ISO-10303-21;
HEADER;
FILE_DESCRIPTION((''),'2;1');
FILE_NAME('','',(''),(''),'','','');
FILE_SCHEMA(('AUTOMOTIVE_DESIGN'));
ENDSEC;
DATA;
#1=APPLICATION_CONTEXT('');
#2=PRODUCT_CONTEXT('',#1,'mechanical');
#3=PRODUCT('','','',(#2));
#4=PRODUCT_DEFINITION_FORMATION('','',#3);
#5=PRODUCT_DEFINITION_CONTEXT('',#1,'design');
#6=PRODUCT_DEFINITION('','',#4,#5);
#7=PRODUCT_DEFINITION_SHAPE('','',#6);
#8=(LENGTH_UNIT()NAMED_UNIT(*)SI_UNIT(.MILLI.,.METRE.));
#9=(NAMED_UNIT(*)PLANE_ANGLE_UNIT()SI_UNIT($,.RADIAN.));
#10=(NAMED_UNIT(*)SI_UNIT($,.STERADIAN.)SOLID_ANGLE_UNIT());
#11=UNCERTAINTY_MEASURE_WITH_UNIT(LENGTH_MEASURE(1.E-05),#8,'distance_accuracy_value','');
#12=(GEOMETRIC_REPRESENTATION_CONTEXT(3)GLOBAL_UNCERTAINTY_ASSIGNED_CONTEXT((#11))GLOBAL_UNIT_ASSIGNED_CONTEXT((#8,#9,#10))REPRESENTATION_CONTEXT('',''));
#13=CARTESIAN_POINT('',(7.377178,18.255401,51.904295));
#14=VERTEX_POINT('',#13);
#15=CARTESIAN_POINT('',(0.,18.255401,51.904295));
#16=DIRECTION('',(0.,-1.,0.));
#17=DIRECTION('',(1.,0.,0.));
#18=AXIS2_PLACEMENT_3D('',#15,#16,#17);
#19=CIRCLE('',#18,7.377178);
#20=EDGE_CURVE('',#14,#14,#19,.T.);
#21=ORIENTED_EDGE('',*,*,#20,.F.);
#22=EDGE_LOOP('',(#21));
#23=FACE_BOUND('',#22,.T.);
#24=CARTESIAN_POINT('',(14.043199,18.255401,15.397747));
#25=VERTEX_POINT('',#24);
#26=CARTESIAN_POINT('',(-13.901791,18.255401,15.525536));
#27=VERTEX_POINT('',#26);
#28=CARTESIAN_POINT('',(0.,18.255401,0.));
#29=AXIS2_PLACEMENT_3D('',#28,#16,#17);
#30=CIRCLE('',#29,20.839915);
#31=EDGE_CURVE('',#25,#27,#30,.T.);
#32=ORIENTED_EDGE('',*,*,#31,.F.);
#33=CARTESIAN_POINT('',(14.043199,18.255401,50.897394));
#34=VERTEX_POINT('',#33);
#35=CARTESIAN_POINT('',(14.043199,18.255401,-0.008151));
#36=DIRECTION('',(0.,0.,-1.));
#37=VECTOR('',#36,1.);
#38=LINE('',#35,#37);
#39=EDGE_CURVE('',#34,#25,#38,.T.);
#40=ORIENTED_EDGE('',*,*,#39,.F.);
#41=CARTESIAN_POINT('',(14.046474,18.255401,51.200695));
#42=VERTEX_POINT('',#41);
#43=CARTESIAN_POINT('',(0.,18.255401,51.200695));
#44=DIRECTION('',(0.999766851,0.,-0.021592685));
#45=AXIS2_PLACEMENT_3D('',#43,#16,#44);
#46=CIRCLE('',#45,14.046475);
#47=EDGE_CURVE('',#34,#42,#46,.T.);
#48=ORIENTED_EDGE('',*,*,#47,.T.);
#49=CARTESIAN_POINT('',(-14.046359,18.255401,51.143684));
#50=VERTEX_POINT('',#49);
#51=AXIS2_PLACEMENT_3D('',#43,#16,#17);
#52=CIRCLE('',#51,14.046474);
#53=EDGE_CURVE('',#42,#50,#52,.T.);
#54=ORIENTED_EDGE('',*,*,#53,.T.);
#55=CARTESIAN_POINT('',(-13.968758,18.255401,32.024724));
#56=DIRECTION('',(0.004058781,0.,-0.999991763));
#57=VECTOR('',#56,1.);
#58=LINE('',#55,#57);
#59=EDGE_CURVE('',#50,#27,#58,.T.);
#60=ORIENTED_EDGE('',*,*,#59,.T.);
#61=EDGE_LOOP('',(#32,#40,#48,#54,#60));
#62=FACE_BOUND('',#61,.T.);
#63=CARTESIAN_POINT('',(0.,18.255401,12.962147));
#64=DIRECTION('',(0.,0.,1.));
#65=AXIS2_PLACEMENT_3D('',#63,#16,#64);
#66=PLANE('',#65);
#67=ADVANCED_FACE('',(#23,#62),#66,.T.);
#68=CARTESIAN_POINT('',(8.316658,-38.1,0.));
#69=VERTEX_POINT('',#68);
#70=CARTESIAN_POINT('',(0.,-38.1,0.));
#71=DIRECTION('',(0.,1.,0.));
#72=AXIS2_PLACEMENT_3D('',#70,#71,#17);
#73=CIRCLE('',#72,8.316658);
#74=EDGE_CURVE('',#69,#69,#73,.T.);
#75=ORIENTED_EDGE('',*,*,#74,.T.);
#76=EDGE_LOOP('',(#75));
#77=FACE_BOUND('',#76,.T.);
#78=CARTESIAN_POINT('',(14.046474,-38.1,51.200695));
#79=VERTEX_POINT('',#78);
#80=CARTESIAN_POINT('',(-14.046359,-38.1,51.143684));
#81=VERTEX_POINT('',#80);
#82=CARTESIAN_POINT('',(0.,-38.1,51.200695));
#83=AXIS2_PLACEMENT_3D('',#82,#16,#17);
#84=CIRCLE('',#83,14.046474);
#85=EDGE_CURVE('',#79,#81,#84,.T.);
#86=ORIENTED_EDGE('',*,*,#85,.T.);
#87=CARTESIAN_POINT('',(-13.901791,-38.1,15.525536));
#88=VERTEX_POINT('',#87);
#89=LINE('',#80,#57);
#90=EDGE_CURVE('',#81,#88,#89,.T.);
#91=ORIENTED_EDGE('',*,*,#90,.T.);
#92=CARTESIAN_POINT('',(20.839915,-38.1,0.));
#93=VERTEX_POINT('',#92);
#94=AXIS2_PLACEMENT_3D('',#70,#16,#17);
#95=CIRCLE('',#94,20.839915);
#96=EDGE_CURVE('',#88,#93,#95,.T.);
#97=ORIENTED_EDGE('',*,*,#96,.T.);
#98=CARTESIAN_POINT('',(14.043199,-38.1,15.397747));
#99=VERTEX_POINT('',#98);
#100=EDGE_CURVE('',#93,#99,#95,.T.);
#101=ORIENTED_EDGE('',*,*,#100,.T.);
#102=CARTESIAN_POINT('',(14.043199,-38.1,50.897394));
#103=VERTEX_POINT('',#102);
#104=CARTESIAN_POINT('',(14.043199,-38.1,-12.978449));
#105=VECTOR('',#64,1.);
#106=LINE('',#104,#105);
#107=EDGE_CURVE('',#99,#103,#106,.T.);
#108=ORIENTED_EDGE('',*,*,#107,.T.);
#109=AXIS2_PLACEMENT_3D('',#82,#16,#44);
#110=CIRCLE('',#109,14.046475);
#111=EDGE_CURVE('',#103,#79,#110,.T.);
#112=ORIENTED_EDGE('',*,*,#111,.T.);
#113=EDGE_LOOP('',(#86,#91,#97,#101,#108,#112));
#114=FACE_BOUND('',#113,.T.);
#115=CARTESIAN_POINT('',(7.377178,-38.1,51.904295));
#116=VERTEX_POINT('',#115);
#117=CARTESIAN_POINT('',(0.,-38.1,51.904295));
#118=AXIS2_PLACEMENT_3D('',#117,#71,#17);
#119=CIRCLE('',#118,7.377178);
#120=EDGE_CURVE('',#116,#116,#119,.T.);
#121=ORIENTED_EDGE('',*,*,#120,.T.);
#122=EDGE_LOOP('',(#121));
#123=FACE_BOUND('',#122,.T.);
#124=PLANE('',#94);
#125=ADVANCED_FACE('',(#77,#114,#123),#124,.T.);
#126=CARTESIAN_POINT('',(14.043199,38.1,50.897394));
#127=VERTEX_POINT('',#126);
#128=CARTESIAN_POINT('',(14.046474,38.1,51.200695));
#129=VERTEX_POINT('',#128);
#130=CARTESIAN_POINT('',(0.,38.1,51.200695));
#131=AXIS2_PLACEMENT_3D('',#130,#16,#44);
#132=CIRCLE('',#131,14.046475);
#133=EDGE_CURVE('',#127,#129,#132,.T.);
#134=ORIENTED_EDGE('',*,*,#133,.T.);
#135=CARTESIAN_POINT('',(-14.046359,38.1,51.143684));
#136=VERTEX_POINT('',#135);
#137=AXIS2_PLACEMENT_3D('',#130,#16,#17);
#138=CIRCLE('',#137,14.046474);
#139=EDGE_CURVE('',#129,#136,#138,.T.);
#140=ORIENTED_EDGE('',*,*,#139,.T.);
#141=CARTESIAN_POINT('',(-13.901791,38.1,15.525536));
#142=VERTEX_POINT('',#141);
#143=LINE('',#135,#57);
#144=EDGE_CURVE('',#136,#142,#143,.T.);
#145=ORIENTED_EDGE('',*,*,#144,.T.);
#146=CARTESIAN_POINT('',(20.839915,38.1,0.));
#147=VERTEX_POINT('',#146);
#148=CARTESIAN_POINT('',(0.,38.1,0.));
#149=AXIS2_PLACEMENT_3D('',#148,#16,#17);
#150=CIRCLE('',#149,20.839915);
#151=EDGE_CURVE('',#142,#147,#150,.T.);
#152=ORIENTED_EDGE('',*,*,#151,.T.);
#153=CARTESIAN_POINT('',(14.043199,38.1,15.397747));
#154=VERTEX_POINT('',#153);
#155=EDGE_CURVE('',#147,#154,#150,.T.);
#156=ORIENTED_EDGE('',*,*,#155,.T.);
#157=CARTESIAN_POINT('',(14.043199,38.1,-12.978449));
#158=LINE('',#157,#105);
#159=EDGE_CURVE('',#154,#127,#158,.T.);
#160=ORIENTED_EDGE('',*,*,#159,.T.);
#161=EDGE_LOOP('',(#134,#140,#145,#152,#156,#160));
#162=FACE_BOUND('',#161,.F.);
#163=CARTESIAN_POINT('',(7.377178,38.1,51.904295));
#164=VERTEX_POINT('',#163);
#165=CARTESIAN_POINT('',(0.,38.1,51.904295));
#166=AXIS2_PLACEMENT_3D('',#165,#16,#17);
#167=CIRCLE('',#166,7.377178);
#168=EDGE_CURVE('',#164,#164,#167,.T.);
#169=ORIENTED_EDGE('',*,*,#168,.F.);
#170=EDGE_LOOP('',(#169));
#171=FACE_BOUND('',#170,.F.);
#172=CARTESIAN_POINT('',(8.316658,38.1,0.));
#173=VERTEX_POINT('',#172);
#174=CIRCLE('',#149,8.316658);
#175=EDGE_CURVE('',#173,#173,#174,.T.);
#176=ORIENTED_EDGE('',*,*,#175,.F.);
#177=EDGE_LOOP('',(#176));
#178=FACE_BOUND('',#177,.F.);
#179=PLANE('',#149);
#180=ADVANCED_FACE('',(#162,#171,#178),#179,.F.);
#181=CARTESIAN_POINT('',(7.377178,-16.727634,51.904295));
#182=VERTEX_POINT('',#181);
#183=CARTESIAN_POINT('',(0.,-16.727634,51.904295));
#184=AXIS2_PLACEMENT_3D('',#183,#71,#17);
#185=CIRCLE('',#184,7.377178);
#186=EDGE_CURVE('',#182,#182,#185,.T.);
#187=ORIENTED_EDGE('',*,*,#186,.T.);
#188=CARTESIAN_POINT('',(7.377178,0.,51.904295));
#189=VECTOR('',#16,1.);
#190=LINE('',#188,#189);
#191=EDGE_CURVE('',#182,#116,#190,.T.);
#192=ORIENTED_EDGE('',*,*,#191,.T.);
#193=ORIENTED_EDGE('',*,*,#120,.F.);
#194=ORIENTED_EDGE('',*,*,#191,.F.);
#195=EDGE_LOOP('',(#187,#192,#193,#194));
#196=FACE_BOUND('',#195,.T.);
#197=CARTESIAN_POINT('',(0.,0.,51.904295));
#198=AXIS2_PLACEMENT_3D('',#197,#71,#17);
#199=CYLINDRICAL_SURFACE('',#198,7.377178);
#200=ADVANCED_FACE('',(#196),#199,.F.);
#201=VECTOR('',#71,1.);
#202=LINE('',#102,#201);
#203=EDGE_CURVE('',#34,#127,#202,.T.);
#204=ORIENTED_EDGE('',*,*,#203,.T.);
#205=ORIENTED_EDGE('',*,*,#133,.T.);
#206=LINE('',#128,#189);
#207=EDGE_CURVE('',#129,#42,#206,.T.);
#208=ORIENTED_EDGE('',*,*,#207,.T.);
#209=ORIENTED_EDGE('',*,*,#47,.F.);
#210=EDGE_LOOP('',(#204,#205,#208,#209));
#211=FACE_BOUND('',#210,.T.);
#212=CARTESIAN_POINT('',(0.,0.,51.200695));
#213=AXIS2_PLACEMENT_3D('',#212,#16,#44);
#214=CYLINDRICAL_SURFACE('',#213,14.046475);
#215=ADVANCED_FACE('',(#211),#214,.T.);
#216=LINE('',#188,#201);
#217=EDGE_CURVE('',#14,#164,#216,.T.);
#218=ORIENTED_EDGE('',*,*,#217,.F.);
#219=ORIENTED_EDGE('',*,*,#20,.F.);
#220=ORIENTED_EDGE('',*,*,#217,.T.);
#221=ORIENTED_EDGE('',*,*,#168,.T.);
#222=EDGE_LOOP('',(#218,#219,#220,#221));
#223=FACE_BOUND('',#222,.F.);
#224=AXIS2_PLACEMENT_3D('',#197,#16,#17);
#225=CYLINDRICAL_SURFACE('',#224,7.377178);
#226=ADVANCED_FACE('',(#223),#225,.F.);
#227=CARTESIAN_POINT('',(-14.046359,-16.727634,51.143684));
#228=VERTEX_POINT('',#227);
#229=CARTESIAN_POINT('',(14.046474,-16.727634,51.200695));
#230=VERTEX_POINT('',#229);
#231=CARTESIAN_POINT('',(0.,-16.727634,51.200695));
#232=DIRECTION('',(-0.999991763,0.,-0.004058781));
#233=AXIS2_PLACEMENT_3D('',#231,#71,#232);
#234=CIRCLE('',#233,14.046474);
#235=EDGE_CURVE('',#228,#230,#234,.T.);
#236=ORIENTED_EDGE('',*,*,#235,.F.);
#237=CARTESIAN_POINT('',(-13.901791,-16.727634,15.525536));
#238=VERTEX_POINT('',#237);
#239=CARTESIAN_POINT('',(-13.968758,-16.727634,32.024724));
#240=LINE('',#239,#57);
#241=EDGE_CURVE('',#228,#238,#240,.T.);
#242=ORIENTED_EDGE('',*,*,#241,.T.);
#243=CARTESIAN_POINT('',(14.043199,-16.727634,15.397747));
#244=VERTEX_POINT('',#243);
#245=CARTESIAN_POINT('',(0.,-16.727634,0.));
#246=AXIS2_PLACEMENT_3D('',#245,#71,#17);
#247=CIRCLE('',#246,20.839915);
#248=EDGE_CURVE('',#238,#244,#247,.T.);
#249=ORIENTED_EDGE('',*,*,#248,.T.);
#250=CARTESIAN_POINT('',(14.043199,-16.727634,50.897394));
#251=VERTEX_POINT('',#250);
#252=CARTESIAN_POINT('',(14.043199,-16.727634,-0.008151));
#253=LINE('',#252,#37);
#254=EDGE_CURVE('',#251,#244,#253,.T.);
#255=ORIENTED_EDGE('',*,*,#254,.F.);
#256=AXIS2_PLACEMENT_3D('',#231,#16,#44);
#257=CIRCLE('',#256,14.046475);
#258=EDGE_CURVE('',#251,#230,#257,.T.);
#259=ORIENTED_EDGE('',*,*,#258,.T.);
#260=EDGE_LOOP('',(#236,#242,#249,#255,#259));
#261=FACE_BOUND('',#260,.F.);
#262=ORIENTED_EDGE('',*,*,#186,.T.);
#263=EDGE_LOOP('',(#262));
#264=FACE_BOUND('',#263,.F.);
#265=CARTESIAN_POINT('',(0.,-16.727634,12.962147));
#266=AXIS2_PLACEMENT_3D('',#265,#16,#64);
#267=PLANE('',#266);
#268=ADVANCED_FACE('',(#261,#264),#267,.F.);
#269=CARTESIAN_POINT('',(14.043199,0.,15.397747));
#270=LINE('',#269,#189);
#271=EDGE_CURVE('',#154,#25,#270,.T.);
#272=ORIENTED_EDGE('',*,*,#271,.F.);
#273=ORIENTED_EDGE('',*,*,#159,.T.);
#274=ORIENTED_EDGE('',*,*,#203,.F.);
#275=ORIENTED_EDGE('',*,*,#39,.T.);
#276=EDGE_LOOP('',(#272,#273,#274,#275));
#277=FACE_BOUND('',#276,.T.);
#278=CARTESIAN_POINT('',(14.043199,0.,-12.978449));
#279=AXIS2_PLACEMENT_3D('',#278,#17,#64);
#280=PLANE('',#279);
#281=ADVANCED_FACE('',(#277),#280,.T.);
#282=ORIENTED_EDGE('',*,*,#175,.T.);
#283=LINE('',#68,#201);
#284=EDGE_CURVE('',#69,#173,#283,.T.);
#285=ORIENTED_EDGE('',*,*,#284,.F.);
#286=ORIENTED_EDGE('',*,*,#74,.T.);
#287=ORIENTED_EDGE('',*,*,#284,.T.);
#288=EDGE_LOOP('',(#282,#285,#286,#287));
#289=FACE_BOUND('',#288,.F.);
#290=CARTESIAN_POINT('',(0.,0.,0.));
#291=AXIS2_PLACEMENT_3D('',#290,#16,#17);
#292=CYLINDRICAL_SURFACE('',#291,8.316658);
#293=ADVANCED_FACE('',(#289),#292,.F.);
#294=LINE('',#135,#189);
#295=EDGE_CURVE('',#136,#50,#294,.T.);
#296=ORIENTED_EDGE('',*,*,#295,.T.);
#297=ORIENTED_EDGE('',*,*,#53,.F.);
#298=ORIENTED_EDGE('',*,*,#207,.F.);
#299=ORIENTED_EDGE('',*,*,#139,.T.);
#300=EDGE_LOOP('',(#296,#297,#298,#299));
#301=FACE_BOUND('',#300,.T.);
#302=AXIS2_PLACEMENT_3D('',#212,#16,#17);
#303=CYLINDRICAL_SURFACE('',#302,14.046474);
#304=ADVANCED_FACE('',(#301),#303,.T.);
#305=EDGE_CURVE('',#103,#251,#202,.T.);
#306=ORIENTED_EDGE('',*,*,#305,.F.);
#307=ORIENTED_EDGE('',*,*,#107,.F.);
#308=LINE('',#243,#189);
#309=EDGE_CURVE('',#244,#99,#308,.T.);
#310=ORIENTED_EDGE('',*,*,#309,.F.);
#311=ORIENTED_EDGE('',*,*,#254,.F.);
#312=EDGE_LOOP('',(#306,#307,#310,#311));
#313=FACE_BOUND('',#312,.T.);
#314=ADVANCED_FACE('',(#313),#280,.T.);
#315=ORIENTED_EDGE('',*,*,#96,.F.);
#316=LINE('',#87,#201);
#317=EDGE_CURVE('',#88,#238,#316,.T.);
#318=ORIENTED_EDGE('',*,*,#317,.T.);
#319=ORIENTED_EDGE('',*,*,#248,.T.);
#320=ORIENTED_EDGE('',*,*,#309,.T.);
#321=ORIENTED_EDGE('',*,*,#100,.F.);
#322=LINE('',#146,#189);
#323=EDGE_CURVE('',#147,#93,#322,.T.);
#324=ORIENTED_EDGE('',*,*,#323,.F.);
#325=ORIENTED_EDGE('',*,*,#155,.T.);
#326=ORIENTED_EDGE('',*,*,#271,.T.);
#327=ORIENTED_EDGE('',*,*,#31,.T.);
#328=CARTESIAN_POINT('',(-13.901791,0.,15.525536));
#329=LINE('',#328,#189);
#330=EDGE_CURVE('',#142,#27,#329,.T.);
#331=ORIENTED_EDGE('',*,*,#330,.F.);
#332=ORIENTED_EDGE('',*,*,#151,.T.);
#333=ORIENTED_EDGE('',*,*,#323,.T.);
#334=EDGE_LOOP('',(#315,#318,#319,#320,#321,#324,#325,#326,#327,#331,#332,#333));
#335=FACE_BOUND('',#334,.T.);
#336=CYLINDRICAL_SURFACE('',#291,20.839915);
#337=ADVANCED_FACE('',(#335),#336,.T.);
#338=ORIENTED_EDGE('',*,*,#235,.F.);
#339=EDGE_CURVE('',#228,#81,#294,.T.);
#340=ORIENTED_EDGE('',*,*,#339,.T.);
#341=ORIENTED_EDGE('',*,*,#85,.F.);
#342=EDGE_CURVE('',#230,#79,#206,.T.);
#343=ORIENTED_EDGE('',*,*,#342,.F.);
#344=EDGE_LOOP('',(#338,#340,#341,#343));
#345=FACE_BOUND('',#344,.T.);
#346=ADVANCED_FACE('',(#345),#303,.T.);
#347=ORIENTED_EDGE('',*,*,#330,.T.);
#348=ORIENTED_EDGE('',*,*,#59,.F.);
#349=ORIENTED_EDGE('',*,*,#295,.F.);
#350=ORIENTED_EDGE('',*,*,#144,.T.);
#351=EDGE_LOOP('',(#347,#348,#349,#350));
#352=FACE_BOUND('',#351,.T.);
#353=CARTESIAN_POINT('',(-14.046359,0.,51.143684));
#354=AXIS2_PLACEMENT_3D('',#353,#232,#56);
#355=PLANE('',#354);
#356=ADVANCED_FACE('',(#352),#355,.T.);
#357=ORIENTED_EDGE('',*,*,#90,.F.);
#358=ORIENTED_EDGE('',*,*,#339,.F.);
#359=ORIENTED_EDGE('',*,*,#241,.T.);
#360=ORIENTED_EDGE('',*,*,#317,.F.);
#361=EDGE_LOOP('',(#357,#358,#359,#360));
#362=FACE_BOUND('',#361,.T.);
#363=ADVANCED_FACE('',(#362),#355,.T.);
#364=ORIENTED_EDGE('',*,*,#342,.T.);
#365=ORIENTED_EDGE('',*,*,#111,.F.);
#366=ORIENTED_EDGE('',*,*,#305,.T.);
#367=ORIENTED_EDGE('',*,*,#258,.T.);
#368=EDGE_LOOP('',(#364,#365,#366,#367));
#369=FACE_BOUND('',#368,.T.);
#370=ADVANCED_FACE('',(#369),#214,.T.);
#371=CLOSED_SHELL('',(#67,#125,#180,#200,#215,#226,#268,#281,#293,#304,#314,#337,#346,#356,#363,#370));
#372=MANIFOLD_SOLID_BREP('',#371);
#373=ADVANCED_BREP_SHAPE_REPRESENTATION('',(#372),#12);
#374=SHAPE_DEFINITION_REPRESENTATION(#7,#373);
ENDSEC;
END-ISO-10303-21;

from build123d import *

# Parameters (mm, degrees)
F1_DEPTH      = 38.1
F1_DEPTH_BACK = 38.1
F2_W          = 34.983035177
F2_H          = 57.6349133626
F3_DEPTH      = 14.047474361
F3_DEPTH_BACK = 25.4
F4_R          = 20.8399152663
F5_DEPTH      = 25.4
F6_DEPTH      = 38.1
F6_DEPTH_BACK = 38.1
F7_R          = 8.3166578591
F7_R_2        = 7.3771783421
F8_DEPTH      = 38.101
F8_DEPTH_BACK = 38.101


with BuildPart() as f1:
    # F0 (on Front) → F1 (new body, two sides)
    with BuildSketch(Plane.XZ) as f1_sk:
        with BuildLine():
            ThreePointArc((14.0431994365, 50.8973942286), (14.045655606, 51.0490359422), (14.046474361, 51.2006953359))
            ThreePointArc((14.046474361, 51.2006953359), (-0.0285058427, 65.247140772), (-14.0463586618, 51.1436837678))
            Line((-14.0463586618, 51.1436837678), (14.0431994365, 50.8973942286))
        make_face()
        with BuildLine():
            Line((14.0431994365, 50.8973942286), (-14.0463586618, 51.1436837678))
            ThreePointArc((-14.0463586618, 51.1436837678), (-0.1231549002, 37.1547608762), (14.0431994365, 50.8973942286))
        make_face()
        with BuildLine():
            ThreePointArc((14.0431994365, 50.8973942286), (-0.1231549002, 37.1547608762), (-14.0463586618, 51.1436837678))
            Line((-14.0463586618, 51.1436837678), (-13.7860988001, -12.9784494638))
            Line((-13.7860988001, -12.9784494638), (14.0431994365, -12.9784494638))
            Line((14.0431994365, -12.9784494638), (14.0431994365, 50.8973942286))
        make_face()
    extrude(amount=F1_DEPTH)
    extrude(f1_sk.sketch, amount=-F1_DEPTH_BACK)

    # F2 (on Right) → F3 (cut, two sides)
    with BuildSketch(Plane.YZ) as f3_sk:
        with Locations((0.7638838142, 41.7796033435)):
            Rectangle(F2_W, F2_H)
    extrude(amount=-F3_DEPTH, mode=Mode.SUBTRACT)
    extrude(f3_sk.sketch, amount=F3_DEPTH_BACK, mode=Mode.SUBTRACT)

    # F4 (on Front) → F5 (join)
    with BuildSketch(Plane.XZ):
        Circle(F4_R)
    extrude(amount=F5_DEPTH)

    # F4 (on Front) → F6 (join, two sides)
    with BuildSketch(Plane.XZ) as f6_sk:
        Circle(F4_R)
    extrude(amount=F6_DEPTH)
    extrude(f6_sk.sketch, amount=-F6_DEPTH_BACK)

    # F7 (on Front) → F8 (cut, two sides)
    with BuildSketch(Plane.XZ) as f8_sk:
        Circle(F7_R)
        with Locations((0, 51.9042946398)):
            Circle(F7_R_2)
    extrude(amount=-F8_DEPTH, mode=Mode.SUBTRACT)
    extrude(f8_sk.sketch, amount=F8_DEPTH_BACK, mode=Mode.SUBTRACT)


solid = f1.part
